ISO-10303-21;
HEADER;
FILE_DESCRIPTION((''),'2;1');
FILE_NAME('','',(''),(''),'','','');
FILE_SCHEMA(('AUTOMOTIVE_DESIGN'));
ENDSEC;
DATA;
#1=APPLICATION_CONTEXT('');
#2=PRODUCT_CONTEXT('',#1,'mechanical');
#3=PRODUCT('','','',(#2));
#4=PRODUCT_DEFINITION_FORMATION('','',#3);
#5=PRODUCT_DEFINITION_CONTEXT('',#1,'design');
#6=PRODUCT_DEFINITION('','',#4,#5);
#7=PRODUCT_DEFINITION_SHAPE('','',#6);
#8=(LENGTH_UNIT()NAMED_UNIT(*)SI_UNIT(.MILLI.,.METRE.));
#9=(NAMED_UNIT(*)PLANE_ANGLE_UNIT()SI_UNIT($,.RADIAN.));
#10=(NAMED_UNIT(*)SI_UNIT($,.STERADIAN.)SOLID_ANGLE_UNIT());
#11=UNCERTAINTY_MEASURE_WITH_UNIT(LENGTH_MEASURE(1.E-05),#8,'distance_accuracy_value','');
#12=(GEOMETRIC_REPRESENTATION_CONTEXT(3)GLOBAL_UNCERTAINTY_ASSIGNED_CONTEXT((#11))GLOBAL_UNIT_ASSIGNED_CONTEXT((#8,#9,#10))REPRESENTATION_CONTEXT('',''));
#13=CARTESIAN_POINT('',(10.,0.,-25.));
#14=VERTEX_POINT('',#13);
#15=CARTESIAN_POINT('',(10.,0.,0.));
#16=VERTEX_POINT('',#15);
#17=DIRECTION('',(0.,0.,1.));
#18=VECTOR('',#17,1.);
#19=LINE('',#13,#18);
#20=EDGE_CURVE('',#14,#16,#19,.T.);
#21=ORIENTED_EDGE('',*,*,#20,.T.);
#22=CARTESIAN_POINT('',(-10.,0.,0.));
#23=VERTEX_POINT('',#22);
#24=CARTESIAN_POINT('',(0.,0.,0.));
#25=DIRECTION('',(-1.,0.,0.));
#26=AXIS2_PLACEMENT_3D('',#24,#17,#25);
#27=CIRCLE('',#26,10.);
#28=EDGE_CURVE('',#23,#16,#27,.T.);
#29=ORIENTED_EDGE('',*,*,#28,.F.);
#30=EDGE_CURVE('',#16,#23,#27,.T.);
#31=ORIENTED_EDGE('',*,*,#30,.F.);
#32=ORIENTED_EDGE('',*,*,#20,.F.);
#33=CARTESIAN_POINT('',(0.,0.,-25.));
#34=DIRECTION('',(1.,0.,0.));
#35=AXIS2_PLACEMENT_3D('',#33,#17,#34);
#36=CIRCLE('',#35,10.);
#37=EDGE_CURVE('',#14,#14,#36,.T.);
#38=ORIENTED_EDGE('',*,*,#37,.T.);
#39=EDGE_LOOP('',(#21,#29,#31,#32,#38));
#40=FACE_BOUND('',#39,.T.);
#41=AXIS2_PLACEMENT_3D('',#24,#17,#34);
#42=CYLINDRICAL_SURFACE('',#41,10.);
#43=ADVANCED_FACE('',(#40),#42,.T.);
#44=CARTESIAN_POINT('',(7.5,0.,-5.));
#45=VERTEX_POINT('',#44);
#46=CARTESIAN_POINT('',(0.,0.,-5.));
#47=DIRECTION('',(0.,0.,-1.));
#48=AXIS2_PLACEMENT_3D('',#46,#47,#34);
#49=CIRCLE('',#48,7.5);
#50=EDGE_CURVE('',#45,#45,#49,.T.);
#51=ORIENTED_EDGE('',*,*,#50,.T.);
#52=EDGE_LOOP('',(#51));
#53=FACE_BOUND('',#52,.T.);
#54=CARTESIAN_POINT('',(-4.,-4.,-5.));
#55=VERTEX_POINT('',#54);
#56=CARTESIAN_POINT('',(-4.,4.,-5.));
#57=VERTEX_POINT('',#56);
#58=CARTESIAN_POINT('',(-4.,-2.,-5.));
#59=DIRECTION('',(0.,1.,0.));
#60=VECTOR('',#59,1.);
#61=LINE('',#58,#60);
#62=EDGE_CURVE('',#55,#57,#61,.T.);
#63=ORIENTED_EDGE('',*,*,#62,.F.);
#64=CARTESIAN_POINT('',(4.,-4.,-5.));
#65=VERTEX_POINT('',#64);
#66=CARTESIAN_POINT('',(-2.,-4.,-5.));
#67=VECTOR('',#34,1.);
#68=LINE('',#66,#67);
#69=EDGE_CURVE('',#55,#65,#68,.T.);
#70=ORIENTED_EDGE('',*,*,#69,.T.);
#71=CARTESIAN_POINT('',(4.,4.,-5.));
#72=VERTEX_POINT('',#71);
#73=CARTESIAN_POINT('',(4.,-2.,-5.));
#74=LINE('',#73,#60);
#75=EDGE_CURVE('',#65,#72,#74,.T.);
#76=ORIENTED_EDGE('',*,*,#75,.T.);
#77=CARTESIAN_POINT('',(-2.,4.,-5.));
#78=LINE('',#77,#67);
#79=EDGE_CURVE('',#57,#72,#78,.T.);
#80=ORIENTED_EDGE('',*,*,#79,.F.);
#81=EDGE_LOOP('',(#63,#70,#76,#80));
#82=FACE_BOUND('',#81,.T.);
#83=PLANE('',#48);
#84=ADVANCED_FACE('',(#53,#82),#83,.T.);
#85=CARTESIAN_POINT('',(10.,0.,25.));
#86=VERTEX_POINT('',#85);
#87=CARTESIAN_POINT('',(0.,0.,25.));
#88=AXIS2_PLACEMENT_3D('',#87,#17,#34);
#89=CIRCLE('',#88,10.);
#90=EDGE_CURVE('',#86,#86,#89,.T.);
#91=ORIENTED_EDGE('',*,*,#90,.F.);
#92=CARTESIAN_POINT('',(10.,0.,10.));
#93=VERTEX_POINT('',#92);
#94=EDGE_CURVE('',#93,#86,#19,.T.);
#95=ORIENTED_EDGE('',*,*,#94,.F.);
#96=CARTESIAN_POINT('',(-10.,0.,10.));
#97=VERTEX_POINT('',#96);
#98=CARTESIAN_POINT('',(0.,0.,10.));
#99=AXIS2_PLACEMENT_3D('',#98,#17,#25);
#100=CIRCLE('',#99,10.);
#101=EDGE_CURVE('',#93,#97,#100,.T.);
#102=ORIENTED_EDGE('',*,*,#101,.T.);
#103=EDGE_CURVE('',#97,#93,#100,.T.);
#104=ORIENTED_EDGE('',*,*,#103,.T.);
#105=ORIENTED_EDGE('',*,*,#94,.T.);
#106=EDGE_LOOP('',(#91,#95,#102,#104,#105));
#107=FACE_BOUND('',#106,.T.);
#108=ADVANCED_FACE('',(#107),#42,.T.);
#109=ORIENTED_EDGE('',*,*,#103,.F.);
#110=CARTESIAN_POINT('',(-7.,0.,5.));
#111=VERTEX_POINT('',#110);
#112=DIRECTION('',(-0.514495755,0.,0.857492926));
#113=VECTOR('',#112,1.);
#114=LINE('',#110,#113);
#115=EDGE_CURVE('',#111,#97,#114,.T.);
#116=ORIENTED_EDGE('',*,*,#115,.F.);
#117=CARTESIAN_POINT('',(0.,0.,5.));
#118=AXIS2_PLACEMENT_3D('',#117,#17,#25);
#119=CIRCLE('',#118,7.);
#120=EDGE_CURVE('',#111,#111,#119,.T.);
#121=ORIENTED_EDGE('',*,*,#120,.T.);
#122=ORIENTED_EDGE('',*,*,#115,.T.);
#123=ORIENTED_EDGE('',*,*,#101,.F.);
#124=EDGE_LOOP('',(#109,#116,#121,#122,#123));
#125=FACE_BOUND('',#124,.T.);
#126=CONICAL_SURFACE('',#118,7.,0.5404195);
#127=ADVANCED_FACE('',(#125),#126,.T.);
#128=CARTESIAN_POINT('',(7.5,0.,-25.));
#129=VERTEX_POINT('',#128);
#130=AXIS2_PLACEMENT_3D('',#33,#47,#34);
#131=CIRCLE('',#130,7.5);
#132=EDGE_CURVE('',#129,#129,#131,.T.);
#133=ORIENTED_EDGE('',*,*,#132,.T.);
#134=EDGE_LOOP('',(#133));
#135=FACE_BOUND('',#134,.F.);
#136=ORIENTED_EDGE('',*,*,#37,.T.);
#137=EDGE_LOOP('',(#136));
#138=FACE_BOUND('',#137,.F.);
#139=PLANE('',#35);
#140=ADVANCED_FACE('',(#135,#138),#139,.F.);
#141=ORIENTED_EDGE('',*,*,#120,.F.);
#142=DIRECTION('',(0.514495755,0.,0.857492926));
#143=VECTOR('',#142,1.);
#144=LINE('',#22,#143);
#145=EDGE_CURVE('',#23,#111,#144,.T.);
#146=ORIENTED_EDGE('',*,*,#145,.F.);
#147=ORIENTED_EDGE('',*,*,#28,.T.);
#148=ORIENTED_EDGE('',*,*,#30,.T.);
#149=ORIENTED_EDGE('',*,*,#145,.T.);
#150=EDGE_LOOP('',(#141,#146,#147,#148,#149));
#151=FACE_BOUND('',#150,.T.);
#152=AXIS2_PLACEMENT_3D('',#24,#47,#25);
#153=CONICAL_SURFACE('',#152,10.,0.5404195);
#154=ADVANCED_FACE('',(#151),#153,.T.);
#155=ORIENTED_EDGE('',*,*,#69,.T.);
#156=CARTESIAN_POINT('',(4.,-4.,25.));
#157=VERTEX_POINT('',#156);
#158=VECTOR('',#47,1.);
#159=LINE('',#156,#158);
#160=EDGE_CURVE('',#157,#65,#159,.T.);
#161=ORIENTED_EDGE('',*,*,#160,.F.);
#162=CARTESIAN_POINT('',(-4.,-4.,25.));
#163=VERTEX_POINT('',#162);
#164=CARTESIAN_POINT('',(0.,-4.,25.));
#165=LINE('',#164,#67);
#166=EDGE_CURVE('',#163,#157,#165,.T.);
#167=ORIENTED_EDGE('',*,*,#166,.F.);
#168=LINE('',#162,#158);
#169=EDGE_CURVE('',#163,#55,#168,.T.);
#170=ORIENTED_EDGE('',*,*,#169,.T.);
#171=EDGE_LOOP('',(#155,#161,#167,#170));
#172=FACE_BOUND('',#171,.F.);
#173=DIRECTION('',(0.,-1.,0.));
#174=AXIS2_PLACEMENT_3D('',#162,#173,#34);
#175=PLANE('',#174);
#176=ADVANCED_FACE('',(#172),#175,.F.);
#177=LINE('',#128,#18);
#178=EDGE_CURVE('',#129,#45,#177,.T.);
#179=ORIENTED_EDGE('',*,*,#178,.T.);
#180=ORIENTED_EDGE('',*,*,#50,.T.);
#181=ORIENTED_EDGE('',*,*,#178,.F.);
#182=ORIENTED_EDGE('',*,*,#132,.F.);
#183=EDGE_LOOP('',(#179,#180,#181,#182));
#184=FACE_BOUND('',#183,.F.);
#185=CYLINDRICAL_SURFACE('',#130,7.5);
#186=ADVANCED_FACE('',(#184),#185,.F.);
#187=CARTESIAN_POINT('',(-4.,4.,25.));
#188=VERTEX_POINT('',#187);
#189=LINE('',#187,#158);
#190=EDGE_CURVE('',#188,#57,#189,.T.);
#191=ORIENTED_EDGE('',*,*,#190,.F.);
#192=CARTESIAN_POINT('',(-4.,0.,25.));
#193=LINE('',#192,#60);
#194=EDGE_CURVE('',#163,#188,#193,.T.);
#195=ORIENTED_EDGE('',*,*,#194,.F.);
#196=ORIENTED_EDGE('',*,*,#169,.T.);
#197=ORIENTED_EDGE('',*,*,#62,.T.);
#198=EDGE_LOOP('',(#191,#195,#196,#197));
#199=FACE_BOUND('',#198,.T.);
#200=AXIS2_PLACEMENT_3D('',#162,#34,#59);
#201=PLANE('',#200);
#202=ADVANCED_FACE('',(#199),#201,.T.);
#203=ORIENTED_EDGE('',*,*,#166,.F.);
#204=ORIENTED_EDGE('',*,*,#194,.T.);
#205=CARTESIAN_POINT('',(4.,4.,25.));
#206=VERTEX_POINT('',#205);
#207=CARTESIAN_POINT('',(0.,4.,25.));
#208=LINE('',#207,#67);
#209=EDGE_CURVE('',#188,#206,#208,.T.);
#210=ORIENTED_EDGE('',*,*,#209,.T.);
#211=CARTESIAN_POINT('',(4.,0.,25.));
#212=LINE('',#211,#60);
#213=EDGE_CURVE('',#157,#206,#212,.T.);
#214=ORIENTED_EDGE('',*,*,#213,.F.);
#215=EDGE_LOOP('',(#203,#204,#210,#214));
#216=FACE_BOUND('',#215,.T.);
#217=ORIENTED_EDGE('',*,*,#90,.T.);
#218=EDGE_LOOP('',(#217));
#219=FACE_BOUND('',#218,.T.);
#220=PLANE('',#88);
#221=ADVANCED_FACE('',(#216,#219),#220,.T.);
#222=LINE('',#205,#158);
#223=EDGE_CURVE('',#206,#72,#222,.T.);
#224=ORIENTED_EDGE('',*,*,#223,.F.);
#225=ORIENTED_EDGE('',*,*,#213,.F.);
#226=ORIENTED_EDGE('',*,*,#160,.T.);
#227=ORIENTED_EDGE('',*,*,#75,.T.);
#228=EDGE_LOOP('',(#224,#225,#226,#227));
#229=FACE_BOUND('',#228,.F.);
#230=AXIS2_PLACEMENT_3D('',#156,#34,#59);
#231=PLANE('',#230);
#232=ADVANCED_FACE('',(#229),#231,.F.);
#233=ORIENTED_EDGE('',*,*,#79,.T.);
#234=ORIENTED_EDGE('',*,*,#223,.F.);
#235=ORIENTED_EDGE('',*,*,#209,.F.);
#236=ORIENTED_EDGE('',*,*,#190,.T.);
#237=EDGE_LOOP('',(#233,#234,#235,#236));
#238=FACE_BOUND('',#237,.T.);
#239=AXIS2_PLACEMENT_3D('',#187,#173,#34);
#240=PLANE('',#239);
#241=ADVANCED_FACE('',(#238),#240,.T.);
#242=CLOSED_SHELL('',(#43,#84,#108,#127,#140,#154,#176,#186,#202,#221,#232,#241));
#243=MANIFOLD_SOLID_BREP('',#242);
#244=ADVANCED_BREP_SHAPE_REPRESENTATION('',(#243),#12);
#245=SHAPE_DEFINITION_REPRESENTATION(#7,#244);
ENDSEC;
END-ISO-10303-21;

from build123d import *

# Parameters (mm, degrees)
F0_R     = 10
F1_DEPTH = 25
F2_W     = 8
F2_H     = 8
F3_DEPTH = 50.001
F7_R     = 7.5
F8_DEPTH = 20


with BuildPart() as f1:
    # F0 (on Top) → F1 (new body, symmetric)
    with BuildSketch(Plane.XY):
        Circle(F0_R)
    extrude(amount=F1_DEPTH, both=True)

    # F2 (on face) → F3 (cut, through all)
    with BuildSketch(Plane.XY.offset(25)):
        Rectangle(F2_W, F2_H)
    extrude(amount=-F3_DEPTH, mode=Mode.SUBTRACT)

    # F4 (on Front) → F6 (revolve, cut)
    with BuildSketch(Plane.XZ):
        Polygon((-10, 10), (-10, 0), (-7, 5), align=None)
    revolve(axis=Axis((0, 0, 10.121179), (0, 0, 1)), mode=Mode.SUBTRACT)

    # F7 (on face) → F8 (cut)
    with BuildSketch(Plane(origin=(0, 0, -25), x_dir=(1, 0, 0), z_dir=(0, 0, -1))):
        Circle(F7_R)
    extrude(amount=-F8_DEPTH, mode=Mode.SUBTRACT)


solid = f1.part
